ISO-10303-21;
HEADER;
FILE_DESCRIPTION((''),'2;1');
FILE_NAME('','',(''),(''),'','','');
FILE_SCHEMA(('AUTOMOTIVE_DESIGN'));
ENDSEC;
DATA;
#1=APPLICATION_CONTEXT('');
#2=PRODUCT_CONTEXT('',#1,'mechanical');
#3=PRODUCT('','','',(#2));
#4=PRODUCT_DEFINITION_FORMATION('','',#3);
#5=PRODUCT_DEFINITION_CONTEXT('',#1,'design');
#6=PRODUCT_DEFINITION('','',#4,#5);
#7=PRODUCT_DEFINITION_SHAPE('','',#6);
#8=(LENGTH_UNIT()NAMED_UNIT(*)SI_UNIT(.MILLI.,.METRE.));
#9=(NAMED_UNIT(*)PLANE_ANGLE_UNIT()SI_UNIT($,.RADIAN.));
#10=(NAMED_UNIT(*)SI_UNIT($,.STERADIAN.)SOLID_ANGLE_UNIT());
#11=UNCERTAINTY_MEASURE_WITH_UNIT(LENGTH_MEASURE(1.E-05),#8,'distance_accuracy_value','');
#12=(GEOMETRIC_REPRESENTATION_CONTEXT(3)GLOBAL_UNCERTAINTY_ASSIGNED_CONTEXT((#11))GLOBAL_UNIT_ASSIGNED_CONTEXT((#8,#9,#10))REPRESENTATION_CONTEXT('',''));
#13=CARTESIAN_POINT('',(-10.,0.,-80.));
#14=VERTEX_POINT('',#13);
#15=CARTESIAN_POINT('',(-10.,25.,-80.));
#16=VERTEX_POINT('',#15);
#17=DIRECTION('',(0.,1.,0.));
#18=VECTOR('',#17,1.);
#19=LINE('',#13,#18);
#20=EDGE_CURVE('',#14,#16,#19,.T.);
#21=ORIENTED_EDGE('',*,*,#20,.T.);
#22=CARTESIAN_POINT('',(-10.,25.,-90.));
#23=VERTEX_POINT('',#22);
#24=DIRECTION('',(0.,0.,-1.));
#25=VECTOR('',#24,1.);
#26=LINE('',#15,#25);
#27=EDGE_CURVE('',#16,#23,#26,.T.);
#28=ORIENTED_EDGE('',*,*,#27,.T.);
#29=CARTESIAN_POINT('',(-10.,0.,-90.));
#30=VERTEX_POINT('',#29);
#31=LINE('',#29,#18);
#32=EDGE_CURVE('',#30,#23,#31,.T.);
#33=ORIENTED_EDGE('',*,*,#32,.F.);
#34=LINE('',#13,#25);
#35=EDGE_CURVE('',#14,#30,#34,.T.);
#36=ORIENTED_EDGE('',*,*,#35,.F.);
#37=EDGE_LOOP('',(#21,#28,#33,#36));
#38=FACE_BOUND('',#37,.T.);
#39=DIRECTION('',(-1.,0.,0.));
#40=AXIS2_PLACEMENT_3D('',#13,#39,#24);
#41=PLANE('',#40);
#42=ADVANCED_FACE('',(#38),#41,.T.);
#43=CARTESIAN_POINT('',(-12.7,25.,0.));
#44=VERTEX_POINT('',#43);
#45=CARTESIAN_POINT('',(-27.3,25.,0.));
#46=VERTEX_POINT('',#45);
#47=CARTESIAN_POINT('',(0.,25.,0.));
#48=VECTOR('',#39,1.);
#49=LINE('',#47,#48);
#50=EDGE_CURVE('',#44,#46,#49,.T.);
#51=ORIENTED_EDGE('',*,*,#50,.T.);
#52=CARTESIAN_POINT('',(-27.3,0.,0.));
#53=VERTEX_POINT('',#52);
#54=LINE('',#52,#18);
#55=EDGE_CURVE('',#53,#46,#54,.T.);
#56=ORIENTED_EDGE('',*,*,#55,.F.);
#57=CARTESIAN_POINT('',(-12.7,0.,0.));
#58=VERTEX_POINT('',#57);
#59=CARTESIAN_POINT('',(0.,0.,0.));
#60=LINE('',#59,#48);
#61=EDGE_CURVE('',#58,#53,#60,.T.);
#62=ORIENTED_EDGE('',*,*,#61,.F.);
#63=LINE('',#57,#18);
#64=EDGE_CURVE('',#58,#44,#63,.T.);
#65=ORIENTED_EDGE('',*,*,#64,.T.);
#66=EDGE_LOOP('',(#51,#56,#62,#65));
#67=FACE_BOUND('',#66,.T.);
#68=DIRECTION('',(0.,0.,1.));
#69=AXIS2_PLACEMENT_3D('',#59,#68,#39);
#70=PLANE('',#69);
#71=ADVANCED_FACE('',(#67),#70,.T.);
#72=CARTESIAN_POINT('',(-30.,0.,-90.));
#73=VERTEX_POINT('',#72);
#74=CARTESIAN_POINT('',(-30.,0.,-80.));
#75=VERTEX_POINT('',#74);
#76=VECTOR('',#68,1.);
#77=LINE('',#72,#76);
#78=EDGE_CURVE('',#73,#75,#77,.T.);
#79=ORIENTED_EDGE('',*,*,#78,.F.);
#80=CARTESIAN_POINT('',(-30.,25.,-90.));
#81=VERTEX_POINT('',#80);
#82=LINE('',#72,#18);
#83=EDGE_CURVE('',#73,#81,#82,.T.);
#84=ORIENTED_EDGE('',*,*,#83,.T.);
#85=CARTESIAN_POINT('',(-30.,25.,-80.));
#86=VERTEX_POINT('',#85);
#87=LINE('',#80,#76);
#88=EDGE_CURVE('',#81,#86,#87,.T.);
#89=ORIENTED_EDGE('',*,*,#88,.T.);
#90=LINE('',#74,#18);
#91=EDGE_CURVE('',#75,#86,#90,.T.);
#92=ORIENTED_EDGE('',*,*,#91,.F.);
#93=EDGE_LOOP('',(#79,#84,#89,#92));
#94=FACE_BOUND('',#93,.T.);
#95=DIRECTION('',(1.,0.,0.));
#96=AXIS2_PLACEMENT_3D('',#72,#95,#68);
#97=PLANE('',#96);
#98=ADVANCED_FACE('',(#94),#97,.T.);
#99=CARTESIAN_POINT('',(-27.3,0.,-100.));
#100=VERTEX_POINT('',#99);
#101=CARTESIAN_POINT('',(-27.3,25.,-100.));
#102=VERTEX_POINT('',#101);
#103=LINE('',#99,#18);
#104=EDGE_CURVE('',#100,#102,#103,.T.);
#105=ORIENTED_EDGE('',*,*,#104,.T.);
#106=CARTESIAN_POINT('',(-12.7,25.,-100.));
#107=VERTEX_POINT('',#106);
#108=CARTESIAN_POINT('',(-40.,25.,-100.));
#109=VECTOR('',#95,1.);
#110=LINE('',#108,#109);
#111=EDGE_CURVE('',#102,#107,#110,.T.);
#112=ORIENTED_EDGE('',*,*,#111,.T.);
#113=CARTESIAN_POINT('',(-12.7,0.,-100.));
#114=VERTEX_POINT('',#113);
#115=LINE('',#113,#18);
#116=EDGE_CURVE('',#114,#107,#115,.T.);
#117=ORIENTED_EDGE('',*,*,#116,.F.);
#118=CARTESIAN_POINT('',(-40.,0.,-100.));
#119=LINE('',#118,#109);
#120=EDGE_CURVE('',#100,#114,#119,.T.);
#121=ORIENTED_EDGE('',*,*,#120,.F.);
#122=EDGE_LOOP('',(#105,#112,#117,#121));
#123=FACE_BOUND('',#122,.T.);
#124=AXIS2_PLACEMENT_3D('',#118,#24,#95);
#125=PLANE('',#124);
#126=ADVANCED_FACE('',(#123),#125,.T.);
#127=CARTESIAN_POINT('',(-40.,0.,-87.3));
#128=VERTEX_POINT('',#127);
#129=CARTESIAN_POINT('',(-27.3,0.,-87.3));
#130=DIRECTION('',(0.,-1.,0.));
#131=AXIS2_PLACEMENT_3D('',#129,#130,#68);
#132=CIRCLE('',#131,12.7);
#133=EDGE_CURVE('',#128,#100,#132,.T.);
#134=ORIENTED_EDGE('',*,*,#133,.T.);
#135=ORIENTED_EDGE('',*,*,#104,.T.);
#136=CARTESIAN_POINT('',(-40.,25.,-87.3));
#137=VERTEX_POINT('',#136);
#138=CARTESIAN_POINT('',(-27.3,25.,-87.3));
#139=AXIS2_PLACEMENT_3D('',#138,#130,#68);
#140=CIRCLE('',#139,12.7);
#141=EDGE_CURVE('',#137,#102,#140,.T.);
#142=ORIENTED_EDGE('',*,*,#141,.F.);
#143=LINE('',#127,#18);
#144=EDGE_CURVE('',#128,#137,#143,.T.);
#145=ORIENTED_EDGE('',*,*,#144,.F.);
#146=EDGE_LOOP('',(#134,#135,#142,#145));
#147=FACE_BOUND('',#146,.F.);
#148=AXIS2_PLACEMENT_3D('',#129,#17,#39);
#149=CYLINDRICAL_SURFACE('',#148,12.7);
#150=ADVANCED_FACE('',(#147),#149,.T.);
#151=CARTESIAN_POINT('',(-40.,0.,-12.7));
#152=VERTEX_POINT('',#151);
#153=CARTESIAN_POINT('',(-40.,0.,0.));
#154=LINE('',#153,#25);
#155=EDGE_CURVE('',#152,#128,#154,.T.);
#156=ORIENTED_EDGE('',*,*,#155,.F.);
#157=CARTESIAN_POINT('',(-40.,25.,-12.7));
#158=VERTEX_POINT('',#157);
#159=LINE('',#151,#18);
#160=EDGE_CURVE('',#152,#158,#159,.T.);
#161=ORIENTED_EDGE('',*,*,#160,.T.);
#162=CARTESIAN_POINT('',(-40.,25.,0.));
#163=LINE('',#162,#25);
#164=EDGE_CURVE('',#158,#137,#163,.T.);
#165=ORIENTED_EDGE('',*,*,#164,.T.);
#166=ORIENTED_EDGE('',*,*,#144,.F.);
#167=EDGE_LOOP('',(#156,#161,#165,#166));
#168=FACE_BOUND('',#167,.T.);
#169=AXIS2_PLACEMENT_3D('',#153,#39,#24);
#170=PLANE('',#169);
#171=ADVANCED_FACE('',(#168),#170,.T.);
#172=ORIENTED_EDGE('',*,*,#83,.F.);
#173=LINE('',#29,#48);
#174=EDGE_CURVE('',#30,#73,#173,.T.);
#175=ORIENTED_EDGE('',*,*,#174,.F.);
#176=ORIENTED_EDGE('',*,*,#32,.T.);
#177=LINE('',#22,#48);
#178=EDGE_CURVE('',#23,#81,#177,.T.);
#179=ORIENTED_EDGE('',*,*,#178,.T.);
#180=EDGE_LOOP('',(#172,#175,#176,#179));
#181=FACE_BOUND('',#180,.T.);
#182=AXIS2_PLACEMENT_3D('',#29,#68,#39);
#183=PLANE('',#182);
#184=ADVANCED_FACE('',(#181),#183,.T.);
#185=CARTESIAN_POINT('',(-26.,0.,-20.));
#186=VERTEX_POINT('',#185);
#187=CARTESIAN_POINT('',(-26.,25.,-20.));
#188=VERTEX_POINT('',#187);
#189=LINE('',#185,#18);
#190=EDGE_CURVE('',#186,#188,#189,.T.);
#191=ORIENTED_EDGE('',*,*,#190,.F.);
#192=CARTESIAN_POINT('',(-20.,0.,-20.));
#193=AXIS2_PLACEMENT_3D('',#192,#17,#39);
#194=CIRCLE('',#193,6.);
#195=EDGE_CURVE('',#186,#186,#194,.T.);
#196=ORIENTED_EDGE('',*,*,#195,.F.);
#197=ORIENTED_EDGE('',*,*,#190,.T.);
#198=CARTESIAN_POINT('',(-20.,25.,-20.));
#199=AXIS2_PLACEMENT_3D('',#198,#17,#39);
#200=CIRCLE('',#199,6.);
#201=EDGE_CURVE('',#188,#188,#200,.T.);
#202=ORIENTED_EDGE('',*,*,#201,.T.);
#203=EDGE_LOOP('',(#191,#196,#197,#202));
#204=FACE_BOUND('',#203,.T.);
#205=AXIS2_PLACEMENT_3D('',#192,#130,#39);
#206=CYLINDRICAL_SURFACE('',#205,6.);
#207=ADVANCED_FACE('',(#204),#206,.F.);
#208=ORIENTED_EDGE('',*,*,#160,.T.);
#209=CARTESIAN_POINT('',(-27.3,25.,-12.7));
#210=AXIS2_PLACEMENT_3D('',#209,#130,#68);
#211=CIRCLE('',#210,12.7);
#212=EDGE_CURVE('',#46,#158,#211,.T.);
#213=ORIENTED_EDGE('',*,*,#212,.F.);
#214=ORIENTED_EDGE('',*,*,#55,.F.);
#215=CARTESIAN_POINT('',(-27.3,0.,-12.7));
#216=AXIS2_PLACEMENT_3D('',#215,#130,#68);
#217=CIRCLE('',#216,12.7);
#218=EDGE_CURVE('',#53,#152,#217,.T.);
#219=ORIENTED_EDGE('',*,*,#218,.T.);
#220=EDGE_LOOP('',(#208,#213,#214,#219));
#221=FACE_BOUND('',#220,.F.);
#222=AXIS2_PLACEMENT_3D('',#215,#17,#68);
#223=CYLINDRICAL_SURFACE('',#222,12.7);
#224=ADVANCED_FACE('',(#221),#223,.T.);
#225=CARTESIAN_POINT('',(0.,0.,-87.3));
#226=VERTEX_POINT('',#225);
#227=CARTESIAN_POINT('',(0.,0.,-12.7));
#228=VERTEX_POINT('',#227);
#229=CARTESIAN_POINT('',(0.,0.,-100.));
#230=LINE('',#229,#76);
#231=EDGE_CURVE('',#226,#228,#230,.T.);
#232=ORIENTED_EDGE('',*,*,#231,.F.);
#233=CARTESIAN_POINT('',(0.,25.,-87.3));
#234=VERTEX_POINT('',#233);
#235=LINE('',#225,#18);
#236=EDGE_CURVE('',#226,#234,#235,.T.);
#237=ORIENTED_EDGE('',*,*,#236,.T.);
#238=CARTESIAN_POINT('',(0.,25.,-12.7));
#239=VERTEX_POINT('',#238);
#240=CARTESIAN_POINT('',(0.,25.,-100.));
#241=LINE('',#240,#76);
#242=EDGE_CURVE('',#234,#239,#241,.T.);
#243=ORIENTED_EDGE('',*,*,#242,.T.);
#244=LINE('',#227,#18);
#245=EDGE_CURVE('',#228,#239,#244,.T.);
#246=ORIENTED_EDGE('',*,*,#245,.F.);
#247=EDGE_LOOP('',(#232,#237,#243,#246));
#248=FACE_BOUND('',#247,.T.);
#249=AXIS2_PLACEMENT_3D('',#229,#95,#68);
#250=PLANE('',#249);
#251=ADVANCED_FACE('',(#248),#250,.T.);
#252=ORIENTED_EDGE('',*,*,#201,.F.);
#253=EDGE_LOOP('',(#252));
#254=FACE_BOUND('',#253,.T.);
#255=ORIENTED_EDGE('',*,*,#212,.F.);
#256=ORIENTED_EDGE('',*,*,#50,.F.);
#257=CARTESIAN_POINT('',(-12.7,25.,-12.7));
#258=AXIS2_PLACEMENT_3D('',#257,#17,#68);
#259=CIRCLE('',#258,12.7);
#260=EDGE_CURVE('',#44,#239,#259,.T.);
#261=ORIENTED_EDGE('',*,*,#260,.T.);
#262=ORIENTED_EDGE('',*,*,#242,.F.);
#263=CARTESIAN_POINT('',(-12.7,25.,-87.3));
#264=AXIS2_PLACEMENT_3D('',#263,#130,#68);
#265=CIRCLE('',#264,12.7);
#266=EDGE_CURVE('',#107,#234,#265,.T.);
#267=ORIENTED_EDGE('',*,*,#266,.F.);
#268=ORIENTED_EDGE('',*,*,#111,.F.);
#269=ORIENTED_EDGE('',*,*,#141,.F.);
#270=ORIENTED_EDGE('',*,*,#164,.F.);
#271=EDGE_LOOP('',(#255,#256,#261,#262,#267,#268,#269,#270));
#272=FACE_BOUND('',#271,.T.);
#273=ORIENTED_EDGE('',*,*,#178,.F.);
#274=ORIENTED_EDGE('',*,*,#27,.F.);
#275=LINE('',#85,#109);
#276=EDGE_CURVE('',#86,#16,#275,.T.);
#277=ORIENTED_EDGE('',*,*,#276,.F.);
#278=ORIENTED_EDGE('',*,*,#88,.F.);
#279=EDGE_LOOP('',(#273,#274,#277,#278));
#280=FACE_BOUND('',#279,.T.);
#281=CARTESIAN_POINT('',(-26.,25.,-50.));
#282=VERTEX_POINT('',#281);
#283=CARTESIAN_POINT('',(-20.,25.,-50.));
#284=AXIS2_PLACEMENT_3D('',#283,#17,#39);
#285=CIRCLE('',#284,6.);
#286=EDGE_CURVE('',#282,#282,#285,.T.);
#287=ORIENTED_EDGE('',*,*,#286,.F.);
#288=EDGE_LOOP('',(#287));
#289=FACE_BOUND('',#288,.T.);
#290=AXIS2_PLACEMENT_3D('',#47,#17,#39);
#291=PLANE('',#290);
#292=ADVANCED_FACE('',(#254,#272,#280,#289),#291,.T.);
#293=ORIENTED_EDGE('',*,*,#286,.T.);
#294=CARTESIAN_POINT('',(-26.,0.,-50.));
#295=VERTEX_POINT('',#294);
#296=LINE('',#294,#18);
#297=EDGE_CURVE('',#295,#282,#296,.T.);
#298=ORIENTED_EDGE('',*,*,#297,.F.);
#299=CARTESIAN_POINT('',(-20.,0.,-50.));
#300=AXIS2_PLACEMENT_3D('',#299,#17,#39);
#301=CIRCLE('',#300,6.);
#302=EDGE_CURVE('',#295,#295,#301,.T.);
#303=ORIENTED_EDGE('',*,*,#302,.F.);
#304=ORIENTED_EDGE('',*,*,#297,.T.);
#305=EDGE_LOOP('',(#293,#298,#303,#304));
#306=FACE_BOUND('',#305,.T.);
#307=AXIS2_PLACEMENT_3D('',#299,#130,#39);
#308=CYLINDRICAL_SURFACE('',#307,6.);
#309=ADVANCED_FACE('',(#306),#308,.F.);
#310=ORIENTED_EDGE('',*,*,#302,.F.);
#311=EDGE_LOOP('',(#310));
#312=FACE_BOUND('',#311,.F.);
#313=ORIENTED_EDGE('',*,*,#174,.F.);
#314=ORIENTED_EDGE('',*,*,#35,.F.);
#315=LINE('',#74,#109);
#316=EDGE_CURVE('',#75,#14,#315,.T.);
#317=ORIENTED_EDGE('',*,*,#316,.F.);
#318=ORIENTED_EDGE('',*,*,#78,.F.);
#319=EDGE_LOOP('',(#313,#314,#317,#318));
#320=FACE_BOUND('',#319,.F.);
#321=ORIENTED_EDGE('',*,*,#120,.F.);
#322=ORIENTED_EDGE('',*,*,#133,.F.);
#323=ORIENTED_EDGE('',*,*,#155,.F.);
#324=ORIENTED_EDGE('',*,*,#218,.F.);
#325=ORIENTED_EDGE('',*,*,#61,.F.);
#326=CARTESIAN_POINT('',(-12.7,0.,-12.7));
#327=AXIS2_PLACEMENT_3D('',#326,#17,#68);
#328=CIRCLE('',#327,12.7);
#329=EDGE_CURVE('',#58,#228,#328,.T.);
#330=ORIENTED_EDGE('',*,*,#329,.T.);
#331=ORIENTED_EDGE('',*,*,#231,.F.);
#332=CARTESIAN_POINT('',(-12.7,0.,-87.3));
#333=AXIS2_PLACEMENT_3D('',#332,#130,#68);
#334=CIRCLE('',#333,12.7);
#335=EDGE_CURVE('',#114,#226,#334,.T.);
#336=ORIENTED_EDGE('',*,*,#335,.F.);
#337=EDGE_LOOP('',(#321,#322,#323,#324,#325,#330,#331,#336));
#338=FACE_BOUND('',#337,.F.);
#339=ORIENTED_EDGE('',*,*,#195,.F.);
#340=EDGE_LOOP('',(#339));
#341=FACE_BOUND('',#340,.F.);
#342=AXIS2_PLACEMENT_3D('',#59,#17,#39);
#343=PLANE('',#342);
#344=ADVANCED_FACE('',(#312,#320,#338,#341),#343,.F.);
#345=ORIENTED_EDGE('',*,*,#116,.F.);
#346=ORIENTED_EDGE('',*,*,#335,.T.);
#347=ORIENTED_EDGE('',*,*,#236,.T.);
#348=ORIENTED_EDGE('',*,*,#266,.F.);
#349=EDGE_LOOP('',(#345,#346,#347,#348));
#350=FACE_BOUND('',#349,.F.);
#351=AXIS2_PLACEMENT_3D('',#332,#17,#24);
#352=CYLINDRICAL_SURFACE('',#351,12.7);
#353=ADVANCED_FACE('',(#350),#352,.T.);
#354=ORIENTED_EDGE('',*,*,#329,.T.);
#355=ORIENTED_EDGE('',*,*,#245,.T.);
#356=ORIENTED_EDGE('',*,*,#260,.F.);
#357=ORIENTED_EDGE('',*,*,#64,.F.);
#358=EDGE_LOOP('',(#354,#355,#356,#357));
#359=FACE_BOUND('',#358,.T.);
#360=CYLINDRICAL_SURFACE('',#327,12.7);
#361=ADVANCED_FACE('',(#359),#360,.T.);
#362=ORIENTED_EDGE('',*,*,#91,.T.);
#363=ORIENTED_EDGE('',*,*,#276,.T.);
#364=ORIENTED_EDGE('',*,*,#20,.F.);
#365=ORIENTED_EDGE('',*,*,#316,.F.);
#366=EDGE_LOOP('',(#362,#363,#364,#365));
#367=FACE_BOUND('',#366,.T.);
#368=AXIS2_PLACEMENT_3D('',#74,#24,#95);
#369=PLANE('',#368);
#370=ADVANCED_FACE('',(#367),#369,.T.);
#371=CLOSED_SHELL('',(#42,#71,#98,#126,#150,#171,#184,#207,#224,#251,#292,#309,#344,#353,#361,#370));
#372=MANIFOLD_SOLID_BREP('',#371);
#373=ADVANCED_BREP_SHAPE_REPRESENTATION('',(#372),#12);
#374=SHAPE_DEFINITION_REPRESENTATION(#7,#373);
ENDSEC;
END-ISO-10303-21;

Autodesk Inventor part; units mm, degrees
ref_plane "YZ Plane" through (0, 0, 0) normal (1, 0, 0) x (0, 1, 0)
ref_plane "XZ Plane" through (0, 0, 0) normal (0, 1, 0) x (-1, 0, 0)
ref_plane "XY Plane" through (0, 0, 0) normal (0, 0, 1) x (1, 0, 0)
sketch "Sketch1" plane through (0, 0, 0) normal (0, 1, 0) x (-1, 0, 0)
  line L0 (0, 0) -> (40, 0)
  line L1 (40, 0) -> (40, -100)
  line L2 (40, -100) -> (0, -100)
  line L3 (0, -100) -> (0, 0)
  circle A0 centre (20, -20) radius 6
  circle A1 centre (20, -50) radius 6
  line L4 (30, -80) -> (10, -80)
  line L5 (10, -80) -> (10, -90)
  line L6 (10, -90) -> (30, -90)
  line L7 (30, -90) -> (30, -80)
  dimension "d0" = 40
  dimension "d1" = 100
  dimension "d2" = 12
  dimension "d3" = 12
  dimension "d4" = 20
  dimension "d5" = 20
  dimension "d6" = 30
  dimension "d7" = 20
  dimension "d8" = 20
  dimension "d9" = 10
  dimension "d10" = 10
  dimension "d11" = 10
extrude "Extrusion1" add sketch "Sketch1" along normal blind 25
fillet "Fillet1" radius 12.7 4 edges at (0, 12.5, -100) (0, 12.5, 0) (-40, 12.5, 0) (-40, 12.5, -100)
properties part number "Gantry_simplified"
